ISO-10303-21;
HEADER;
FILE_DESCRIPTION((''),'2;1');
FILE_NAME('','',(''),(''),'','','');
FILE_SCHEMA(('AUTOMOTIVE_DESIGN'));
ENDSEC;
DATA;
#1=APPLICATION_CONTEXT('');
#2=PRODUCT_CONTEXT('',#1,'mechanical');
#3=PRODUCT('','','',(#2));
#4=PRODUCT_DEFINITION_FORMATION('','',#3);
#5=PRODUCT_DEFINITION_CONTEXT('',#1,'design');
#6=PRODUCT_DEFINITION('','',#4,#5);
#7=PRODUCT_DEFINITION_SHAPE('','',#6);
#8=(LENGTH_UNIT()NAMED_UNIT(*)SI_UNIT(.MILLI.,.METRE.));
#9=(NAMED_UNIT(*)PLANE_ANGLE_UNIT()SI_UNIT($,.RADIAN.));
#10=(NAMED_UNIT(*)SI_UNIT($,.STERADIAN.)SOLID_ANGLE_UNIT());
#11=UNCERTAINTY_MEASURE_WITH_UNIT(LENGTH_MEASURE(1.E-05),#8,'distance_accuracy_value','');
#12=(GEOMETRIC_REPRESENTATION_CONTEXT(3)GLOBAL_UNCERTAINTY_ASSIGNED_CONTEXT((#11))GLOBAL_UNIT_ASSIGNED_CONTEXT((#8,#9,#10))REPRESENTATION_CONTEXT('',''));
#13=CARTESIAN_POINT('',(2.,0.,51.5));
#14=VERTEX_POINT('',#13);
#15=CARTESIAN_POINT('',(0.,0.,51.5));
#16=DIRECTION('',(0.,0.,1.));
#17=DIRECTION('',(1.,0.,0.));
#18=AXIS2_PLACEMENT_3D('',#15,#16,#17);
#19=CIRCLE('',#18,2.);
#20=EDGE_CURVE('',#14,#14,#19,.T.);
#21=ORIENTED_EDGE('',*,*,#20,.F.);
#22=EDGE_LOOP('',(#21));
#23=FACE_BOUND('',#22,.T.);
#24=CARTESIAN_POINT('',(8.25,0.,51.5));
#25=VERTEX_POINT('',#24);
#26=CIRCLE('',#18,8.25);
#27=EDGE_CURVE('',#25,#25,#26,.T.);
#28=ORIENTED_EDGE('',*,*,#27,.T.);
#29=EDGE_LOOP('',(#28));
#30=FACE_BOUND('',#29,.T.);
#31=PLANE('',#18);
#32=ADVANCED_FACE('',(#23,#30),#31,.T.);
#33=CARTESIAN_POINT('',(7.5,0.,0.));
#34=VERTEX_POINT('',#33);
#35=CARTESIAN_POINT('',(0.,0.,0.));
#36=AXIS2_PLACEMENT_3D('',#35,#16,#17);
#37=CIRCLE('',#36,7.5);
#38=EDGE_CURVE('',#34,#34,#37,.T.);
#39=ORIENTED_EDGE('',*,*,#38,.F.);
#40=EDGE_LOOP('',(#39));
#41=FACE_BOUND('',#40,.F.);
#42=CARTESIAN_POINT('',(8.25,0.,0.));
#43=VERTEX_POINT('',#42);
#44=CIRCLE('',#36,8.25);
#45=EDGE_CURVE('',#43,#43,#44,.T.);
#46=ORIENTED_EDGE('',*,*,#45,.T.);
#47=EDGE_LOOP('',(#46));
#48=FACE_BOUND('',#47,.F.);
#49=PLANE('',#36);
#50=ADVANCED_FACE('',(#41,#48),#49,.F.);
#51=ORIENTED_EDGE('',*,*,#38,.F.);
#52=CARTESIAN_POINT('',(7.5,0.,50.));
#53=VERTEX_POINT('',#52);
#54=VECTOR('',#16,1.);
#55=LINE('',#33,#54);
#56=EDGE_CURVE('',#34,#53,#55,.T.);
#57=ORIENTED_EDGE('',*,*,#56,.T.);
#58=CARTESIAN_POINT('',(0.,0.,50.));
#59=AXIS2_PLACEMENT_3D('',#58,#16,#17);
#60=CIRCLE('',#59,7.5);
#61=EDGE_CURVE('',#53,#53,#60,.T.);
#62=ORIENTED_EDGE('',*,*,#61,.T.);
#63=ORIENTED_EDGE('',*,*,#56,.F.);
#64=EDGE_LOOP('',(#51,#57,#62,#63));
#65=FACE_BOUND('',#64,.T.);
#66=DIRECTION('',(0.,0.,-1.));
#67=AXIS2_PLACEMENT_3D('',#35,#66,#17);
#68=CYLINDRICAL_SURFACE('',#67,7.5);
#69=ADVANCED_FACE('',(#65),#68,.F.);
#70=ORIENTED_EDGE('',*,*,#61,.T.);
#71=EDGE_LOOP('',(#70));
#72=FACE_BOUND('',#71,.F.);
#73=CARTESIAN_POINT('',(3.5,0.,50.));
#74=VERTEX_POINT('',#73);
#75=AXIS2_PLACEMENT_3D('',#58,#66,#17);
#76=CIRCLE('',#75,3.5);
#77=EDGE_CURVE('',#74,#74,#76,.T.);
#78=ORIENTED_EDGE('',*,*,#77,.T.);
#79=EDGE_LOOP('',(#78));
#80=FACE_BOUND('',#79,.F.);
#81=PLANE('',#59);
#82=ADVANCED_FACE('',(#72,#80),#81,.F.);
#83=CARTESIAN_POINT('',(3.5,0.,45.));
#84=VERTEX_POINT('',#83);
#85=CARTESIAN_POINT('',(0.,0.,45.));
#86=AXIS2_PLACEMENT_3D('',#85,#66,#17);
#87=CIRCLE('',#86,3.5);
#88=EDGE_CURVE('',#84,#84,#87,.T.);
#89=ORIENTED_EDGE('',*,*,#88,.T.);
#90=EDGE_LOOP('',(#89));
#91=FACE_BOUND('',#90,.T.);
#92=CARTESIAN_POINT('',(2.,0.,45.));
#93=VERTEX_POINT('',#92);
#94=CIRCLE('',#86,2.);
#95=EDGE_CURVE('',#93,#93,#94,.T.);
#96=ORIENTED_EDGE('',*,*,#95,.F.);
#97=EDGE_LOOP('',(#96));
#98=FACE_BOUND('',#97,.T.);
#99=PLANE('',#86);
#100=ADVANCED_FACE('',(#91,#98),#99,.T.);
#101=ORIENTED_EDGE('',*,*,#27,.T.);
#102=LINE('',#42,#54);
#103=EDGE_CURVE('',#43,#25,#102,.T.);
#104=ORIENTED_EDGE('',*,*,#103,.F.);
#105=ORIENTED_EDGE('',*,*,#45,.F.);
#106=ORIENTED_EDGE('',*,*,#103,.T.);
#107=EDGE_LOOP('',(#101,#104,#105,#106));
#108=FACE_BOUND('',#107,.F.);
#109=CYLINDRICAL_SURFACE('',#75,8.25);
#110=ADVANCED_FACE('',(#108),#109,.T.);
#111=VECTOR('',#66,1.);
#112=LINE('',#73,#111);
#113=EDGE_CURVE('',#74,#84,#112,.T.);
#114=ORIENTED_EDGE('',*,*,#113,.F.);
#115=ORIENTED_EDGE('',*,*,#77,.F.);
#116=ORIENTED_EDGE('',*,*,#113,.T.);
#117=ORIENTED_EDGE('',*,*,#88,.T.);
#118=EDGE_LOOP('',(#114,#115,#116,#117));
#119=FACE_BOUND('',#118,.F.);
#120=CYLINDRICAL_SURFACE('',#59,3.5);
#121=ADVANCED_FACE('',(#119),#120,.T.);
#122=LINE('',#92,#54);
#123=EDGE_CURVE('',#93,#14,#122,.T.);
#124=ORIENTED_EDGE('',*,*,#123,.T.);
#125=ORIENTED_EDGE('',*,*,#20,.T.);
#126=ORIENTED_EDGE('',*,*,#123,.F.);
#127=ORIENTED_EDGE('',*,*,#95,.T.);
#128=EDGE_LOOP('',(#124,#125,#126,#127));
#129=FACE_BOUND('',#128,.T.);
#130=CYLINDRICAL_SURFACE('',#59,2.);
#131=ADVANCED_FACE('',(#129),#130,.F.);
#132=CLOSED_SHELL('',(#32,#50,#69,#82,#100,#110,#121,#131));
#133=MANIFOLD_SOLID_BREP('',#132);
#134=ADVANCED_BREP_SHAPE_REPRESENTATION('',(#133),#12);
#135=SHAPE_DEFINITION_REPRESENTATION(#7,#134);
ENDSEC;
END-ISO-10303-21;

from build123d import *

# Parameters (mm, degrees)
F0_R     = 8.25
F0_R_2   = 7.5
F1_DEPTH = 50
F2_R     = 8.25
F3_DEPTH = 1.5
F4_R     = 2
F5_DEPTH = 25
F6_R     = 3.5
F6_R_2   = 2
F7_DEPTH = 5


with BuildPart() as f1:
    # F0 (on Top) → F1 (new body)
    with BuildSketch(Plane.XY):
        Circle(F0_R)
        Circle(F0_R_2, mode=Mode.SUBTRACT)
    extrude(amount=F1_DEPTH)

    # F2 (on face) → F3 (join)
    with BuildSketch(Plane.XY.offset(50)):
        Circle(F2_R)
    extrude(amount=F3_DEPTH)

    # F4 (on face) → F5 (cut)
    with BuildSketch(Plane.XY.offset(51.5)):
        Circle(F4_R)
    extrude(amount=-F5_DEPTH, mode=Mode.SUBTRACT)

    # F6 (on face) → F7 (join)
    with BuildSketch(Plane(origin=(0, 0, 50), x_dir=(1, 0, 0), z_dir=(0, 0, -1))):
        Circle(F6_R)
        Circle(F6_R_2, mode=Mode.SUBTRACT)
    extrude(amount=F7_DEPTH)


solid = f1.part
